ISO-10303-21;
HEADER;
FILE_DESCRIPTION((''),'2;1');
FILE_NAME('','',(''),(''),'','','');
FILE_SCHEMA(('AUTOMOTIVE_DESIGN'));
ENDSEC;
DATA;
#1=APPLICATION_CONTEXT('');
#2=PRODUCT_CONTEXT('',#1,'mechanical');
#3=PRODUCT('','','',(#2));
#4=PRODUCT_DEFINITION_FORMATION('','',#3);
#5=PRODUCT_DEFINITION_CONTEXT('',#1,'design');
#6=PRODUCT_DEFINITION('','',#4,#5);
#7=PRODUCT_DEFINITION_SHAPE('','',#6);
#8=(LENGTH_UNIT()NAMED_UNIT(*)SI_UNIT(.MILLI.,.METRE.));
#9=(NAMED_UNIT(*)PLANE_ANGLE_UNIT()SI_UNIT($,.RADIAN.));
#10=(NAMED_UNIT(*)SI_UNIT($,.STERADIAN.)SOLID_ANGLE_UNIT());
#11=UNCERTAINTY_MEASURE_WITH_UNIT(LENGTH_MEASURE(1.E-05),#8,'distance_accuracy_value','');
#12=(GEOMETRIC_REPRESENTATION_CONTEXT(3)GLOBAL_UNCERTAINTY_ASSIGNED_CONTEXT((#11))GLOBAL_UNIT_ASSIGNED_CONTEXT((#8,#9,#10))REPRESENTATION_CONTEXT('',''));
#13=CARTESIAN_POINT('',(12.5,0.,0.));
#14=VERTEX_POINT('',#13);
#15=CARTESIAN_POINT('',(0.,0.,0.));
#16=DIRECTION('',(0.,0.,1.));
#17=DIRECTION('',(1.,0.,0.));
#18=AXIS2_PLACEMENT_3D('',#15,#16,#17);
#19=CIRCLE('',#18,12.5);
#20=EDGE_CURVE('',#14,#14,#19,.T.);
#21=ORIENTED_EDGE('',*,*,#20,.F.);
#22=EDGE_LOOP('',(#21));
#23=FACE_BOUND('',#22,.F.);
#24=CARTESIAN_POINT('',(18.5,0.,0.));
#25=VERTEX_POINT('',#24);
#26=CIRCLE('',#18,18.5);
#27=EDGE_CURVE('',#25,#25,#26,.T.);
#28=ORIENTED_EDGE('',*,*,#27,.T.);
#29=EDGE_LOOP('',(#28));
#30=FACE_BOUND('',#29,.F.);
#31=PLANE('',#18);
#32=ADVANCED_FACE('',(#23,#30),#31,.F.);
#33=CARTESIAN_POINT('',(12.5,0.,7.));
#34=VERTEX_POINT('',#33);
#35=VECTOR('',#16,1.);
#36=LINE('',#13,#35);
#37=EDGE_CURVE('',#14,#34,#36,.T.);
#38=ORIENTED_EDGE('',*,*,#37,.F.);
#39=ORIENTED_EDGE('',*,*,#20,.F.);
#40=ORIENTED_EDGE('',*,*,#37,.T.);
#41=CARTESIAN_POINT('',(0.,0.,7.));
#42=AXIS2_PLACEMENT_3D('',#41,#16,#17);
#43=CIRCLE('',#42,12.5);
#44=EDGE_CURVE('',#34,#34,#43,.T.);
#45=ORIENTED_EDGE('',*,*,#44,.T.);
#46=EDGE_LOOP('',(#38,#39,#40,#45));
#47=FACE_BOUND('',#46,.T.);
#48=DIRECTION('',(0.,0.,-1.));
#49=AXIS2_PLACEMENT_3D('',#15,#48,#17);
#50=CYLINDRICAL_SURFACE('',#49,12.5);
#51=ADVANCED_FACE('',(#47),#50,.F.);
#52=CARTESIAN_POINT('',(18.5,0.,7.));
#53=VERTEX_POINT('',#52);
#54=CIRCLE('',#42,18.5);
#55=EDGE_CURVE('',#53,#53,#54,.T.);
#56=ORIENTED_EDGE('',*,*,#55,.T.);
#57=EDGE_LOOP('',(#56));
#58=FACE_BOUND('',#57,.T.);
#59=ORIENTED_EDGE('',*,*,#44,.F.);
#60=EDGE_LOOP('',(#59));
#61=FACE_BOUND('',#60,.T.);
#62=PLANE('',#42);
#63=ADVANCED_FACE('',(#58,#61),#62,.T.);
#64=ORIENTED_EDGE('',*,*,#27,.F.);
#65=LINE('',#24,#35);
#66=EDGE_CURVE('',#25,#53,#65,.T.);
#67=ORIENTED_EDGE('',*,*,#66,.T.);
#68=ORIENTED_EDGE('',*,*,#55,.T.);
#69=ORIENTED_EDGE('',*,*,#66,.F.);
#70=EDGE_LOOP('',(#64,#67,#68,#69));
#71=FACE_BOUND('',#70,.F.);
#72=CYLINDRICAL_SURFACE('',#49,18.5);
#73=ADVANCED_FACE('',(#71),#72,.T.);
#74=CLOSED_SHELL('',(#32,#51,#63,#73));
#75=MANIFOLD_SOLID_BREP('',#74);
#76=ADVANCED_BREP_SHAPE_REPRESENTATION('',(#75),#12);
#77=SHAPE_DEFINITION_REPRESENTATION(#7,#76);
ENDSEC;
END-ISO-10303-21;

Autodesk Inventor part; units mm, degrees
ref_plane "YZ Plane" through (0, 0, 0) normal (1, 0, 0) x (0, 1, 0)
ref_plane "XZ Plane" through (0, 0, 0) normal (0, 1, 0) x (-1, 0, 0)
ref_plane "XY Plane" through (0, 0, 0) normal (0, 0, 1) x (1, 0, 0)
sketch "Sketch1" plane through (0, 0, 0) normal (0, 0, 1) x (1, 0, 0)
  circle A0 centre (0, 0) radius 12.5
  circle A1 centre (0, 0) radius 18.5
  dimension "d0" = 25
  dimension "d1" = 37
extrude "Extrusion1" add sketch "Sketch1" along normal blind 7
properties part number "roulement 25 37 7"
